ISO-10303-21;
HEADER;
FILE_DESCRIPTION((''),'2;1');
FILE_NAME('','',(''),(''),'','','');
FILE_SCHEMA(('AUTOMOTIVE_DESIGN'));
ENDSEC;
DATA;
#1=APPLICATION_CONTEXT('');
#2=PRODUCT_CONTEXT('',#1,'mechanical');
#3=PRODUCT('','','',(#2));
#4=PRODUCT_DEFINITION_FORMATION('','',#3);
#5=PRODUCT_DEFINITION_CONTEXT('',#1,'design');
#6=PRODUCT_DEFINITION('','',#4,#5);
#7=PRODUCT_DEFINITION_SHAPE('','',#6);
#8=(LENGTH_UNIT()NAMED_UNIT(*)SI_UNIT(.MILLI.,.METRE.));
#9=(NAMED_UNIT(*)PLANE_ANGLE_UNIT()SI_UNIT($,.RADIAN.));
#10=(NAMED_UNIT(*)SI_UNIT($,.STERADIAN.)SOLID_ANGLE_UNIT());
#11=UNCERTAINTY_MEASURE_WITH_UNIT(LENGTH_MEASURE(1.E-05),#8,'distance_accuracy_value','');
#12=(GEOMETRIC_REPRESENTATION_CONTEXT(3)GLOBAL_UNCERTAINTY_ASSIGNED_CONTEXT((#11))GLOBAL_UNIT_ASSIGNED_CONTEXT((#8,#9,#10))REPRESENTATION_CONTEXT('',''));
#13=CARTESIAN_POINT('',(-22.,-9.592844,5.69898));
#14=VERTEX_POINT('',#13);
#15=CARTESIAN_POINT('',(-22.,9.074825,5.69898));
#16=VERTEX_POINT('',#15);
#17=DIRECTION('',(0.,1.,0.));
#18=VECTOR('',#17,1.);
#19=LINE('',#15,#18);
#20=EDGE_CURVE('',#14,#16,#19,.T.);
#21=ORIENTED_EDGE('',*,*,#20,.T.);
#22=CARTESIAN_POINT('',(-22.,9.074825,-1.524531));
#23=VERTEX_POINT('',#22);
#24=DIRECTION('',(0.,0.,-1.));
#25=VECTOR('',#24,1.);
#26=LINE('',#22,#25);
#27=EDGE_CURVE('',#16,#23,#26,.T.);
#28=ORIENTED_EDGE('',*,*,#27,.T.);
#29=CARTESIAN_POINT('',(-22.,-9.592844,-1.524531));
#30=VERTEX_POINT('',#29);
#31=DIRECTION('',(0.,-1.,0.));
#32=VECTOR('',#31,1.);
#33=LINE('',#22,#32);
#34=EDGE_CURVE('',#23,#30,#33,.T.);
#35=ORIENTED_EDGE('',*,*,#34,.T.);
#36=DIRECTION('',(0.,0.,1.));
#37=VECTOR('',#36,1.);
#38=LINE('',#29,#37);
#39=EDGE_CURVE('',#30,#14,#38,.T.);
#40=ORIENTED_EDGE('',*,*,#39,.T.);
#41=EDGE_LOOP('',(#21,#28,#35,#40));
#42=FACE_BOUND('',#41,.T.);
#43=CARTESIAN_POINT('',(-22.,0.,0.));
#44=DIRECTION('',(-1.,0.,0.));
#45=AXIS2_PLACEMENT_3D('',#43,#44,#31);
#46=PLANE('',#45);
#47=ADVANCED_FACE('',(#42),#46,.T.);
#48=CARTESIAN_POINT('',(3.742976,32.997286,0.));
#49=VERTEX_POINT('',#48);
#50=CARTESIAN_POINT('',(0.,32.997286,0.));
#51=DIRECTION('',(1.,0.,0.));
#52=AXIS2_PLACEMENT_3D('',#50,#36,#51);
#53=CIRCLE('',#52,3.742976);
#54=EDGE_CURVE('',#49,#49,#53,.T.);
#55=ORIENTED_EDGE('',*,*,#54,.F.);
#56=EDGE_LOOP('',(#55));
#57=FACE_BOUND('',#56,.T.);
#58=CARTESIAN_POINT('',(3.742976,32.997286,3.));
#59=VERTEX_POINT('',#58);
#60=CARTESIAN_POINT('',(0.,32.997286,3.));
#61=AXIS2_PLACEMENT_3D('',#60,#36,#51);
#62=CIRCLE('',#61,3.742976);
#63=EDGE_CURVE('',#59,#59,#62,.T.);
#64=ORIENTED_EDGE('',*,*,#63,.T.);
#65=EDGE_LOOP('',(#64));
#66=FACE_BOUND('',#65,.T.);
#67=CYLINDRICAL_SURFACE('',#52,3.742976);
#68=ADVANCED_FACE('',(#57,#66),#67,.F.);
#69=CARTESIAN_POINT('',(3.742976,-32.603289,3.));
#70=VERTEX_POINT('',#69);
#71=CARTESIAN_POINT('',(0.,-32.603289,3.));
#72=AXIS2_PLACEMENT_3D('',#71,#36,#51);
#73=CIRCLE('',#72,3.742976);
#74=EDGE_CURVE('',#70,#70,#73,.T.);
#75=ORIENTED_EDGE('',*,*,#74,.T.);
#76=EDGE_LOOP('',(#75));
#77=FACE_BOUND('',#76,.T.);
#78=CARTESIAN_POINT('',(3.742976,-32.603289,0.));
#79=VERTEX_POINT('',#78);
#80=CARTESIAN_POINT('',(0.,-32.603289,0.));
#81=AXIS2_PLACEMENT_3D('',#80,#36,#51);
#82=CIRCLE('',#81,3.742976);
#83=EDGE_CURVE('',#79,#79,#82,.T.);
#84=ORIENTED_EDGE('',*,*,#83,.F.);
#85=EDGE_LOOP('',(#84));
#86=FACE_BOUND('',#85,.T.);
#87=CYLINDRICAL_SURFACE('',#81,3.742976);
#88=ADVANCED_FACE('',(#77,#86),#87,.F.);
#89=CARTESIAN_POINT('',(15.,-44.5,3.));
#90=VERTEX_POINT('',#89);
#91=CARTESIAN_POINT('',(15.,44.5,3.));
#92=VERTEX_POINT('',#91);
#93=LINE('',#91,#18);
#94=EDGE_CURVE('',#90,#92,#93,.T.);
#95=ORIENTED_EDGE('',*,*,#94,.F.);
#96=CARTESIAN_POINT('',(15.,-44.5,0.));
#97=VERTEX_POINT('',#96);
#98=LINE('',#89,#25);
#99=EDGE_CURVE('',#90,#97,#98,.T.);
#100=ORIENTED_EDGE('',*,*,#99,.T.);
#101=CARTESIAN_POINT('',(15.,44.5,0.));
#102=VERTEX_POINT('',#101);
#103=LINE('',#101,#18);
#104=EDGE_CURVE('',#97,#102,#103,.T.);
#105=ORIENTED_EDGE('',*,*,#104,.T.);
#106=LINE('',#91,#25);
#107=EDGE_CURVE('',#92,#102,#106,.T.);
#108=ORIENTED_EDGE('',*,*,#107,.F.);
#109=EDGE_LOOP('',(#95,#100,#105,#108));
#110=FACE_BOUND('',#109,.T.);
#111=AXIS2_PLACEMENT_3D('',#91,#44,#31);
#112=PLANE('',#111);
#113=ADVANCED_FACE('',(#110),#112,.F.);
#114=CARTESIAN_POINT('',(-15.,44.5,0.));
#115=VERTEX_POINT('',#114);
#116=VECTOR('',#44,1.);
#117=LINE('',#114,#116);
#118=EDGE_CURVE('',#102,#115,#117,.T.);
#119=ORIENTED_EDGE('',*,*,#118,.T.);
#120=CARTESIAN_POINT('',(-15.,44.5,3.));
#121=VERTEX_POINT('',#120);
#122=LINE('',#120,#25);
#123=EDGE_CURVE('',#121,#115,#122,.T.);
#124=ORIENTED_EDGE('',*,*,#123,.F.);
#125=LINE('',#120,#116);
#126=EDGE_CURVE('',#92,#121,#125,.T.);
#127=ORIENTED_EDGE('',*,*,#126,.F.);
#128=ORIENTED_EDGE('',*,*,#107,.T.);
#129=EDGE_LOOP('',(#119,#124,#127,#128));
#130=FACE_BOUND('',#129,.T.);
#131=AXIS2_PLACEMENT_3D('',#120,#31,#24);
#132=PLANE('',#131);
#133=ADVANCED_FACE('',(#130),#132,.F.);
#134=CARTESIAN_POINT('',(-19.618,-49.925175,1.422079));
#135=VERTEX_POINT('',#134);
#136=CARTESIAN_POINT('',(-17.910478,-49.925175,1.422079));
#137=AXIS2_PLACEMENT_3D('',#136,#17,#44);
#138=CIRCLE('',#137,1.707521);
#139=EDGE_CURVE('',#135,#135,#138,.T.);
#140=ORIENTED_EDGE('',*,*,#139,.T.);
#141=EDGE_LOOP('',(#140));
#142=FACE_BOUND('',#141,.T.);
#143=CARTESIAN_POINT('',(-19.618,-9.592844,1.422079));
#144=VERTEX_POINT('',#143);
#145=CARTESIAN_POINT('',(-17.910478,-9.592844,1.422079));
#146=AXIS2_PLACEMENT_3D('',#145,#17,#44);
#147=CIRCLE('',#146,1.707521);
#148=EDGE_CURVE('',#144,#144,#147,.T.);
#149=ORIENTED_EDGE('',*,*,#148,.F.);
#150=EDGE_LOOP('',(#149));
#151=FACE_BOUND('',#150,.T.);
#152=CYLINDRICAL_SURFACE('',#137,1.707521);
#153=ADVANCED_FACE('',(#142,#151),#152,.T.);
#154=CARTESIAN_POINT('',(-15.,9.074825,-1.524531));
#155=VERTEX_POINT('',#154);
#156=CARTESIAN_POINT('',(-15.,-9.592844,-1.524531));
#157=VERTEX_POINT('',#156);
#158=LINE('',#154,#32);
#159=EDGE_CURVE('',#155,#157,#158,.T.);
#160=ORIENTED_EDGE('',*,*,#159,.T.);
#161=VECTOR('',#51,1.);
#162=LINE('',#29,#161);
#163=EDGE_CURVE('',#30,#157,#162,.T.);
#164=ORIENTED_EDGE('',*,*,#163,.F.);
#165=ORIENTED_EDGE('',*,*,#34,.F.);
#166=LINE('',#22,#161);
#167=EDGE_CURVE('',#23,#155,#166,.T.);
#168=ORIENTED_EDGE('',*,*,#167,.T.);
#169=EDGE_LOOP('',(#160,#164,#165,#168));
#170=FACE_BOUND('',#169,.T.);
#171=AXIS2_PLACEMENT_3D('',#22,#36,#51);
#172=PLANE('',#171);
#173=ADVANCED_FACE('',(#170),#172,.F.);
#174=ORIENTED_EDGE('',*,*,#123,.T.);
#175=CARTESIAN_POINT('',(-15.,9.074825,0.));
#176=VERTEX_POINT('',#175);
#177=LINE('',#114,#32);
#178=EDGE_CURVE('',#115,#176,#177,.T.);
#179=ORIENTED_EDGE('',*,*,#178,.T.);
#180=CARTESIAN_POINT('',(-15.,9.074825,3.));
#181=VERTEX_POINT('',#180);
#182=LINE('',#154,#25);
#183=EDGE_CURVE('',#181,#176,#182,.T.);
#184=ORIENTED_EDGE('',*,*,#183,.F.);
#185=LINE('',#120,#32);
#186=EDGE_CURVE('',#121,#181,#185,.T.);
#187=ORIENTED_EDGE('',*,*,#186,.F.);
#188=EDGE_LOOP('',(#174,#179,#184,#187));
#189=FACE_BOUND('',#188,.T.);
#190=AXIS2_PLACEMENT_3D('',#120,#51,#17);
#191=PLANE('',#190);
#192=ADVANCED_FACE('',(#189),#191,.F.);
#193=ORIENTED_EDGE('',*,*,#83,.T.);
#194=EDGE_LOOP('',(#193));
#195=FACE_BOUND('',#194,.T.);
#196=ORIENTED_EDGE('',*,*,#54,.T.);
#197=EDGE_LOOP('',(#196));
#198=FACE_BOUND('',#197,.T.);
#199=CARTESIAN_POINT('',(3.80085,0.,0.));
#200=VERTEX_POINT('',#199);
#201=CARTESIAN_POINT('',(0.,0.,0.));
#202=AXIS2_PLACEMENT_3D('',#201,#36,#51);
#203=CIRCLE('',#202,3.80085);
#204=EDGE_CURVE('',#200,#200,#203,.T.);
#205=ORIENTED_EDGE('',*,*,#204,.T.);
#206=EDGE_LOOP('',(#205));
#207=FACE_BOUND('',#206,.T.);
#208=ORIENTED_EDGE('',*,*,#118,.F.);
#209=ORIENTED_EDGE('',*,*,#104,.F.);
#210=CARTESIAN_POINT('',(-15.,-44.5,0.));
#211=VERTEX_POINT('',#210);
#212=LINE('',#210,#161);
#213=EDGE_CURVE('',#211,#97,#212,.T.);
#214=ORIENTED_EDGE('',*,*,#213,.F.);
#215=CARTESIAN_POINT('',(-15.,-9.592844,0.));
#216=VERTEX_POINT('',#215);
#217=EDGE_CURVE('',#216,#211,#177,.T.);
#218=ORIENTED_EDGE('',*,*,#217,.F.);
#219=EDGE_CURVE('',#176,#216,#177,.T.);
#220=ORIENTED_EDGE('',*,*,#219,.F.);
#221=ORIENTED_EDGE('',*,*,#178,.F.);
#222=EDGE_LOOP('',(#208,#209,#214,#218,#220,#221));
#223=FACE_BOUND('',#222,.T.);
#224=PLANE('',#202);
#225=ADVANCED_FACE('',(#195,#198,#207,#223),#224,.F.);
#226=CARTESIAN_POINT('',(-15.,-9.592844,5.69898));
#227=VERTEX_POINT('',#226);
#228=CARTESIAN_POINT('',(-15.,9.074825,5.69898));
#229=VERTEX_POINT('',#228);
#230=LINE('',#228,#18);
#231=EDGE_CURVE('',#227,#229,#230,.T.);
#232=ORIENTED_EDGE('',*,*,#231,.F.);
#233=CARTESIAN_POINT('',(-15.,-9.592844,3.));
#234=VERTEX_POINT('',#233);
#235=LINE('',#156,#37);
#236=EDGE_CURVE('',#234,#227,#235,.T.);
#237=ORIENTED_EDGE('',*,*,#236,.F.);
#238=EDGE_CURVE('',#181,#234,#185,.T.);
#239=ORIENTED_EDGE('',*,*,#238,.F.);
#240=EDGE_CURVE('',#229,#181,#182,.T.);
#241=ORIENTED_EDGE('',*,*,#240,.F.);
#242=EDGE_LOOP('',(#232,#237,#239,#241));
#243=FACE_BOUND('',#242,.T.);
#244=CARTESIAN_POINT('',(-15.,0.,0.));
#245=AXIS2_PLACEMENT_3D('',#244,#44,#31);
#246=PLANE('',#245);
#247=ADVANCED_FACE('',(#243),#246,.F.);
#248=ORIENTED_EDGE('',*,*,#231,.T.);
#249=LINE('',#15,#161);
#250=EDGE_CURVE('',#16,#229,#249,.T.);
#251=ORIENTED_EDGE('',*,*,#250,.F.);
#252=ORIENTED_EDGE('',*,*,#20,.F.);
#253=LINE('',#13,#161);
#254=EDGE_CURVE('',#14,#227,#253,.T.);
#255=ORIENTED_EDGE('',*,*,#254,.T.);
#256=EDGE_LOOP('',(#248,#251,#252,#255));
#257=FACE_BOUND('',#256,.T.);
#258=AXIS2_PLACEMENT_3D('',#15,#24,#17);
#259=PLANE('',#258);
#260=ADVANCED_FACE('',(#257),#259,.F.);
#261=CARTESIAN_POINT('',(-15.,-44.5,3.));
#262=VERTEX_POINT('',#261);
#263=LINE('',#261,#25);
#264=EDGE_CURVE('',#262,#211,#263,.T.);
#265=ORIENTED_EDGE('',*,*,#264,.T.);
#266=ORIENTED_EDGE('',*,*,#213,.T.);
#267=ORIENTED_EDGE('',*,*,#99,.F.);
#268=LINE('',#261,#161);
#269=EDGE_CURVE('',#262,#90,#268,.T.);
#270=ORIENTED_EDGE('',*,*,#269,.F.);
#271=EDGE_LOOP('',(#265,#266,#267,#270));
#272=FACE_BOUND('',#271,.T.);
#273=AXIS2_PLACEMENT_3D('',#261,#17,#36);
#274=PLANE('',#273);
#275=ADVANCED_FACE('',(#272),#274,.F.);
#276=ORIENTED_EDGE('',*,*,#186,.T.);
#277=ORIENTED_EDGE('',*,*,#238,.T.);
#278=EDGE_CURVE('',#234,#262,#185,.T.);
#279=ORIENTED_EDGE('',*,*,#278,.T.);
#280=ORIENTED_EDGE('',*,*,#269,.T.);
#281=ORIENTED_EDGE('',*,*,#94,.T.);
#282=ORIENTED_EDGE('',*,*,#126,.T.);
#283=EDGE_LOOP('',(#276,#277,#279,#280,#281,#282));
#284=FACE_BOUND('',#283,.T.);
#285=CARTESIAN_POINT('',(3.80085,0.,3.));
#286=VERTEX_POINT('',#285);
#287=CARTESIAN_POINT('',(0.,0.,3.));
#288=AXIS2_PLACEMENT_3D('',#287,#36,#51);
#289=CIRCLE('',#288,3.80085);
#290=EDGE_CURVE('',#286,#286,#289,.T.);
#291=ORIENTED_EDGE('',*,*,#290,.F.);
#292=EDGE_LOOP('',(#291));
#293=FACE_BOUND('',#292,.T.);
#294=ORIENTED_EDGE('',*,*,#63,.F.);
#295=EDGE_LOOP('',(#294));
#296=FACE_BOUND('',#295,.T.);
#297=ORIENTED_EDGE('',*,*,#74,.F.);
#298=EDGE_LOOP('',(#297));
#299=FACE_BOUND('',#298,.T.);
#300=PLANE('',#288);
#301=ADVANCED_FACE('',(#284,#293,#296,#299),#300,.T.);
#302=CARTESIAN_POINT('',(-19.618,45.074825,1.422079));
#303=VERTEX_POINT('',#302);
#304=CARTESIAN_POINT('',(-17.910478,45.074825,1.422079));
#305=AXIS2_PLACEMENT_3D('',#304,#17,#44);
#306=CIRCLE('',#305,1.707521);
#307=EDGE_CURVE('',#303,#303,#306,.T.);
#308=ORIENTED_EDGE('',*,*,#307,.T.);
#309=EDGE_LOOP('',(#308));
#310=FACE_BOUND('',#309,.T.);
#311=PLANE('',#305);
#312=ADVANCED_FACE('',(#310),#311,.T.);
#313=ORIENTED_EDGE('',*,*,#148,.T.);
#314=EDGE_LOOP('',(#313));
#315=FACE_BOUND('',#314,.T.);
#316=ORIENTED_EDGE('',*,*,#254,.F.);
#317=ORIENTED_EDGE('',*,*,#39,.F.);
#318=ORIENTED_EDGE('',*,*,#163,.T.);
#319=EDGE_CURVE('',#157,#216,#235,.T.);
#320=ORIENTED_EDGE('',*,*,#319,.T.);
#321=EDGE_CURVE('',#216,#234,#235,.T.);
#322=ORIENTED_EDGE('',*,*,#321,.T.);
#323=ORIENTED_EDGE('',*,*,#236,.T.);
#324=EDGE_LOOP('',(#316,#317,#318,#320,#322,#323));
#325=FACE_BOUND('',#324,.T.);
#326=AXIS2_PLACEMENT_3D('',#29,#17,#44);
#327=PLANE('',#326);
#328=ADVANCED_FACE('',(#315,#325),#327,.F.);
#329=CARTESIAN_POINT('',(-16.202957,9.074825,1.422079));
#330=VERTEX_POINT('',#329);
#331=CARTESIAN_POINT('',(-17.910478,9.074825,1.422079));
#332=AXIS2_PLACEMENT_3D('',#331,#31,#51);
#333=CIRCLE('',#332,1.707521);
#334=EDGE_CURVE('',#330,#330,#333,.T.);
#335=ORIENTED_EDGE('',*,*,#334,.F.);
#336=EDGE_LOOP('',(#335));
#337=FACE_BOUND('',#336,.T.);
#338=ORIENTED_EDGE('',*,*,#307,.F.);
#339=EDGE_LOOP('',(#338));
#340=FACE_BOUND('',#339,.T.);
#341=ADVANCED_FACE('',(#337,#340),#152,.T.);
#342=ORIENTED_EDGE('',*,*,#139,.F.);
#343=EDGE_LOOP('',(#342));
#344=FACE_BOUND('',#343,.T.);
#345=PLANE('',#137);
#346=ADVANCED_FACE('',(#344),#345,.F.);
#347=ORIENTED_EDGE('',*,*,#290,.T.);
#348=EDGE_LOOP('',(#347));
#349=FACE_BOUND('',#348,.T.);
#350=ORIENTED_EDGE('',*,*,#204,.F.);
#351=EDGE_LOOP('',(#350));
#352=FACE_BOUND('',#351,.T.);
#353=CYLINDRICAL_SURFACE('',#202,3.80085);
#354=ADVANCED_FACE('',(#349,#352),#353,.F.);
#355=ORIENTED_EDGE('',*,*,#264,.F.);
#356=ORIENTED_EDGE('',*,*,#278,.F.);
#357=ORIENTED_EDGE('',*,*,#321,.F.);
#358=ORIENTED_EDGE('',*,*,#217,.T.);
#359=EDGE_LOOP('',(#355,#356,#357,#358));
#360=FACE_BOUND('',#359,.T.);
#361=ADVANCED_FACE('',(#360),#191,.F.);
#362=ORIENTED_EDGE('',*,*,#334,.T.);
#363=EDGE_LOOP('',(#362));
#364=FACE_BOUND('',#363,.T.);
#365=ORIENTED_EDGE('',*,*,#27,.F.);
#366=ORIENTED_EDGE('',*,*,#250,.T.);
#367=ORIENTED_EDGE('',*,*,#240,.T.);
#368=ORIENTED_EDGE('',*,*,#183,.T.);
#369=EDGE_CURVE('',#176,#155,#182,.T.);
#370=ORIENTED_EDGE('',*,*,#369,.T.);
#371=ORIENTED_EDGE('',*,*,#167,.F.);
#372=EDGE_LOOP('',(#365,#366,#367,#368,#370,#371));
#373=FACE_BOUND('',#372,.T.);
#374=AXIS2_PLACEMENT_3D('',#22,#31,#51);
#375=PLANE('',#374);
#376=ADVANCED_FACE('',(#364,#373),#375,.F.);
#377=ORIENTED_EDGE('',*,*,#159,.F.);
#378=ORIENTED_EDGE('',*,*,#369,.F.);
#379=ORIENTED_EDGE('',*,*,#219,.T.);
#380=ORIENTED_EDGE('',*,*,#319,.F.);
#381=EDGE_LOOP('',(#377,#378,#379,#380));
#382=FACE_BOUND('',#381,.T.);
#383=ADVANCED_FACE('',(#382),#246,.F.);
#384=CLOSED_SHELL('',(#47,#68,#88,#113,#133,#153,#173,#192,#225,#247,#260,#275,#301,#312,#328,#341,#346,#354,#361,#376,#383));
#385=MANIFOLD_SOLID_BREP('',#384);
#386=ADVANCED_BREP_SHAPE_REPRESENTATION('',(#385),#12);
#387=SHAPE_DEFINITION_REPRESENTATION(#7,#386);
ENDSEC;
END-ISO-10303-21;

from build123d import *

# Parameters (mm, degrees)
CROQUIS1_W                   = 30
CROQUIS1_H                   = 89
SALIENTE_EXTRUIR1_DEPTH      = 3
CROQUIS2_R                   = 3.800850318
CROQUIS2_R_2                 = 3.742975761
CORTAR_EXTRUIR1_DEPTH        = 3
CROQUIS3_W                   = 7.223510215
CROQUIS3_H                   = 18.667669577
SALIENTE_EXTRUIR2_DEPTH      = 7
SALIENTE_EXTRUIR3_DEPTH      = 36
SALIENTE_EXTRUIR3_DEPTH_BACK = 59
CROQUIS4_R                   = 1.707521399


with BuildPart() as part:
    # Croquis1 → Saliente-Extruir1 (new body)
    with BuildSketch(Plane.XY):
        Rectangle(CROQUIS1_W, CROQUIS1_H)
    extrude(amount=SALIENTE_EXTRUIR1_DEPTH)

    # Croquis2 → Cortar-Extruir1 (cut)
    with BuildSketch(Plane.XY.offset(3)):
        Circle(CROQUIS2_R)
        with Locations((0, 32.997286313)):
            Circle(CROQUIS2_R_2)
        with Locations((0, -32.603288865)):
            Circle(CROQUIS2_R_2)
    extrude(amount=-CORTAR_EXTRUIR1_DEPTH, mode=Mode.SUBTRACT)

    # Croquis3 → Saliente-Extruir2 (add)
    with BuildSketch(Plane.ZY.offset(15)):
        with Locations((2.087224579, -0.259009368)):
            Rectangle(CROQUIS3_W, CROQUIS3_H)
    extrude(amount=SALIENTE_EXTRUIR2_DEPTH)

    # Croquis4 → Saliente-Extruir3 (add, two sides: drawn at the far end of the back side and taken through both)
    with BuildSketch(Plane(origin=(0, 9.074825421, 0), x_dir=(1, 0, 0), z_dir=(0, 1, 0)).offset(-SALIENTE_EXTRUIR3_DEPTH_BACK)):
        with Locations(Location((-17.910478142, -1.422079338, 0), (0, 0, 180))):
            Circle(CROQUIS4_R)
    extrude(amount=SALIENTE_EXTRUIR3_DEPTH + SALIENTE_EXTRUIR3_DEPTH_BACK)


solid = part.part
